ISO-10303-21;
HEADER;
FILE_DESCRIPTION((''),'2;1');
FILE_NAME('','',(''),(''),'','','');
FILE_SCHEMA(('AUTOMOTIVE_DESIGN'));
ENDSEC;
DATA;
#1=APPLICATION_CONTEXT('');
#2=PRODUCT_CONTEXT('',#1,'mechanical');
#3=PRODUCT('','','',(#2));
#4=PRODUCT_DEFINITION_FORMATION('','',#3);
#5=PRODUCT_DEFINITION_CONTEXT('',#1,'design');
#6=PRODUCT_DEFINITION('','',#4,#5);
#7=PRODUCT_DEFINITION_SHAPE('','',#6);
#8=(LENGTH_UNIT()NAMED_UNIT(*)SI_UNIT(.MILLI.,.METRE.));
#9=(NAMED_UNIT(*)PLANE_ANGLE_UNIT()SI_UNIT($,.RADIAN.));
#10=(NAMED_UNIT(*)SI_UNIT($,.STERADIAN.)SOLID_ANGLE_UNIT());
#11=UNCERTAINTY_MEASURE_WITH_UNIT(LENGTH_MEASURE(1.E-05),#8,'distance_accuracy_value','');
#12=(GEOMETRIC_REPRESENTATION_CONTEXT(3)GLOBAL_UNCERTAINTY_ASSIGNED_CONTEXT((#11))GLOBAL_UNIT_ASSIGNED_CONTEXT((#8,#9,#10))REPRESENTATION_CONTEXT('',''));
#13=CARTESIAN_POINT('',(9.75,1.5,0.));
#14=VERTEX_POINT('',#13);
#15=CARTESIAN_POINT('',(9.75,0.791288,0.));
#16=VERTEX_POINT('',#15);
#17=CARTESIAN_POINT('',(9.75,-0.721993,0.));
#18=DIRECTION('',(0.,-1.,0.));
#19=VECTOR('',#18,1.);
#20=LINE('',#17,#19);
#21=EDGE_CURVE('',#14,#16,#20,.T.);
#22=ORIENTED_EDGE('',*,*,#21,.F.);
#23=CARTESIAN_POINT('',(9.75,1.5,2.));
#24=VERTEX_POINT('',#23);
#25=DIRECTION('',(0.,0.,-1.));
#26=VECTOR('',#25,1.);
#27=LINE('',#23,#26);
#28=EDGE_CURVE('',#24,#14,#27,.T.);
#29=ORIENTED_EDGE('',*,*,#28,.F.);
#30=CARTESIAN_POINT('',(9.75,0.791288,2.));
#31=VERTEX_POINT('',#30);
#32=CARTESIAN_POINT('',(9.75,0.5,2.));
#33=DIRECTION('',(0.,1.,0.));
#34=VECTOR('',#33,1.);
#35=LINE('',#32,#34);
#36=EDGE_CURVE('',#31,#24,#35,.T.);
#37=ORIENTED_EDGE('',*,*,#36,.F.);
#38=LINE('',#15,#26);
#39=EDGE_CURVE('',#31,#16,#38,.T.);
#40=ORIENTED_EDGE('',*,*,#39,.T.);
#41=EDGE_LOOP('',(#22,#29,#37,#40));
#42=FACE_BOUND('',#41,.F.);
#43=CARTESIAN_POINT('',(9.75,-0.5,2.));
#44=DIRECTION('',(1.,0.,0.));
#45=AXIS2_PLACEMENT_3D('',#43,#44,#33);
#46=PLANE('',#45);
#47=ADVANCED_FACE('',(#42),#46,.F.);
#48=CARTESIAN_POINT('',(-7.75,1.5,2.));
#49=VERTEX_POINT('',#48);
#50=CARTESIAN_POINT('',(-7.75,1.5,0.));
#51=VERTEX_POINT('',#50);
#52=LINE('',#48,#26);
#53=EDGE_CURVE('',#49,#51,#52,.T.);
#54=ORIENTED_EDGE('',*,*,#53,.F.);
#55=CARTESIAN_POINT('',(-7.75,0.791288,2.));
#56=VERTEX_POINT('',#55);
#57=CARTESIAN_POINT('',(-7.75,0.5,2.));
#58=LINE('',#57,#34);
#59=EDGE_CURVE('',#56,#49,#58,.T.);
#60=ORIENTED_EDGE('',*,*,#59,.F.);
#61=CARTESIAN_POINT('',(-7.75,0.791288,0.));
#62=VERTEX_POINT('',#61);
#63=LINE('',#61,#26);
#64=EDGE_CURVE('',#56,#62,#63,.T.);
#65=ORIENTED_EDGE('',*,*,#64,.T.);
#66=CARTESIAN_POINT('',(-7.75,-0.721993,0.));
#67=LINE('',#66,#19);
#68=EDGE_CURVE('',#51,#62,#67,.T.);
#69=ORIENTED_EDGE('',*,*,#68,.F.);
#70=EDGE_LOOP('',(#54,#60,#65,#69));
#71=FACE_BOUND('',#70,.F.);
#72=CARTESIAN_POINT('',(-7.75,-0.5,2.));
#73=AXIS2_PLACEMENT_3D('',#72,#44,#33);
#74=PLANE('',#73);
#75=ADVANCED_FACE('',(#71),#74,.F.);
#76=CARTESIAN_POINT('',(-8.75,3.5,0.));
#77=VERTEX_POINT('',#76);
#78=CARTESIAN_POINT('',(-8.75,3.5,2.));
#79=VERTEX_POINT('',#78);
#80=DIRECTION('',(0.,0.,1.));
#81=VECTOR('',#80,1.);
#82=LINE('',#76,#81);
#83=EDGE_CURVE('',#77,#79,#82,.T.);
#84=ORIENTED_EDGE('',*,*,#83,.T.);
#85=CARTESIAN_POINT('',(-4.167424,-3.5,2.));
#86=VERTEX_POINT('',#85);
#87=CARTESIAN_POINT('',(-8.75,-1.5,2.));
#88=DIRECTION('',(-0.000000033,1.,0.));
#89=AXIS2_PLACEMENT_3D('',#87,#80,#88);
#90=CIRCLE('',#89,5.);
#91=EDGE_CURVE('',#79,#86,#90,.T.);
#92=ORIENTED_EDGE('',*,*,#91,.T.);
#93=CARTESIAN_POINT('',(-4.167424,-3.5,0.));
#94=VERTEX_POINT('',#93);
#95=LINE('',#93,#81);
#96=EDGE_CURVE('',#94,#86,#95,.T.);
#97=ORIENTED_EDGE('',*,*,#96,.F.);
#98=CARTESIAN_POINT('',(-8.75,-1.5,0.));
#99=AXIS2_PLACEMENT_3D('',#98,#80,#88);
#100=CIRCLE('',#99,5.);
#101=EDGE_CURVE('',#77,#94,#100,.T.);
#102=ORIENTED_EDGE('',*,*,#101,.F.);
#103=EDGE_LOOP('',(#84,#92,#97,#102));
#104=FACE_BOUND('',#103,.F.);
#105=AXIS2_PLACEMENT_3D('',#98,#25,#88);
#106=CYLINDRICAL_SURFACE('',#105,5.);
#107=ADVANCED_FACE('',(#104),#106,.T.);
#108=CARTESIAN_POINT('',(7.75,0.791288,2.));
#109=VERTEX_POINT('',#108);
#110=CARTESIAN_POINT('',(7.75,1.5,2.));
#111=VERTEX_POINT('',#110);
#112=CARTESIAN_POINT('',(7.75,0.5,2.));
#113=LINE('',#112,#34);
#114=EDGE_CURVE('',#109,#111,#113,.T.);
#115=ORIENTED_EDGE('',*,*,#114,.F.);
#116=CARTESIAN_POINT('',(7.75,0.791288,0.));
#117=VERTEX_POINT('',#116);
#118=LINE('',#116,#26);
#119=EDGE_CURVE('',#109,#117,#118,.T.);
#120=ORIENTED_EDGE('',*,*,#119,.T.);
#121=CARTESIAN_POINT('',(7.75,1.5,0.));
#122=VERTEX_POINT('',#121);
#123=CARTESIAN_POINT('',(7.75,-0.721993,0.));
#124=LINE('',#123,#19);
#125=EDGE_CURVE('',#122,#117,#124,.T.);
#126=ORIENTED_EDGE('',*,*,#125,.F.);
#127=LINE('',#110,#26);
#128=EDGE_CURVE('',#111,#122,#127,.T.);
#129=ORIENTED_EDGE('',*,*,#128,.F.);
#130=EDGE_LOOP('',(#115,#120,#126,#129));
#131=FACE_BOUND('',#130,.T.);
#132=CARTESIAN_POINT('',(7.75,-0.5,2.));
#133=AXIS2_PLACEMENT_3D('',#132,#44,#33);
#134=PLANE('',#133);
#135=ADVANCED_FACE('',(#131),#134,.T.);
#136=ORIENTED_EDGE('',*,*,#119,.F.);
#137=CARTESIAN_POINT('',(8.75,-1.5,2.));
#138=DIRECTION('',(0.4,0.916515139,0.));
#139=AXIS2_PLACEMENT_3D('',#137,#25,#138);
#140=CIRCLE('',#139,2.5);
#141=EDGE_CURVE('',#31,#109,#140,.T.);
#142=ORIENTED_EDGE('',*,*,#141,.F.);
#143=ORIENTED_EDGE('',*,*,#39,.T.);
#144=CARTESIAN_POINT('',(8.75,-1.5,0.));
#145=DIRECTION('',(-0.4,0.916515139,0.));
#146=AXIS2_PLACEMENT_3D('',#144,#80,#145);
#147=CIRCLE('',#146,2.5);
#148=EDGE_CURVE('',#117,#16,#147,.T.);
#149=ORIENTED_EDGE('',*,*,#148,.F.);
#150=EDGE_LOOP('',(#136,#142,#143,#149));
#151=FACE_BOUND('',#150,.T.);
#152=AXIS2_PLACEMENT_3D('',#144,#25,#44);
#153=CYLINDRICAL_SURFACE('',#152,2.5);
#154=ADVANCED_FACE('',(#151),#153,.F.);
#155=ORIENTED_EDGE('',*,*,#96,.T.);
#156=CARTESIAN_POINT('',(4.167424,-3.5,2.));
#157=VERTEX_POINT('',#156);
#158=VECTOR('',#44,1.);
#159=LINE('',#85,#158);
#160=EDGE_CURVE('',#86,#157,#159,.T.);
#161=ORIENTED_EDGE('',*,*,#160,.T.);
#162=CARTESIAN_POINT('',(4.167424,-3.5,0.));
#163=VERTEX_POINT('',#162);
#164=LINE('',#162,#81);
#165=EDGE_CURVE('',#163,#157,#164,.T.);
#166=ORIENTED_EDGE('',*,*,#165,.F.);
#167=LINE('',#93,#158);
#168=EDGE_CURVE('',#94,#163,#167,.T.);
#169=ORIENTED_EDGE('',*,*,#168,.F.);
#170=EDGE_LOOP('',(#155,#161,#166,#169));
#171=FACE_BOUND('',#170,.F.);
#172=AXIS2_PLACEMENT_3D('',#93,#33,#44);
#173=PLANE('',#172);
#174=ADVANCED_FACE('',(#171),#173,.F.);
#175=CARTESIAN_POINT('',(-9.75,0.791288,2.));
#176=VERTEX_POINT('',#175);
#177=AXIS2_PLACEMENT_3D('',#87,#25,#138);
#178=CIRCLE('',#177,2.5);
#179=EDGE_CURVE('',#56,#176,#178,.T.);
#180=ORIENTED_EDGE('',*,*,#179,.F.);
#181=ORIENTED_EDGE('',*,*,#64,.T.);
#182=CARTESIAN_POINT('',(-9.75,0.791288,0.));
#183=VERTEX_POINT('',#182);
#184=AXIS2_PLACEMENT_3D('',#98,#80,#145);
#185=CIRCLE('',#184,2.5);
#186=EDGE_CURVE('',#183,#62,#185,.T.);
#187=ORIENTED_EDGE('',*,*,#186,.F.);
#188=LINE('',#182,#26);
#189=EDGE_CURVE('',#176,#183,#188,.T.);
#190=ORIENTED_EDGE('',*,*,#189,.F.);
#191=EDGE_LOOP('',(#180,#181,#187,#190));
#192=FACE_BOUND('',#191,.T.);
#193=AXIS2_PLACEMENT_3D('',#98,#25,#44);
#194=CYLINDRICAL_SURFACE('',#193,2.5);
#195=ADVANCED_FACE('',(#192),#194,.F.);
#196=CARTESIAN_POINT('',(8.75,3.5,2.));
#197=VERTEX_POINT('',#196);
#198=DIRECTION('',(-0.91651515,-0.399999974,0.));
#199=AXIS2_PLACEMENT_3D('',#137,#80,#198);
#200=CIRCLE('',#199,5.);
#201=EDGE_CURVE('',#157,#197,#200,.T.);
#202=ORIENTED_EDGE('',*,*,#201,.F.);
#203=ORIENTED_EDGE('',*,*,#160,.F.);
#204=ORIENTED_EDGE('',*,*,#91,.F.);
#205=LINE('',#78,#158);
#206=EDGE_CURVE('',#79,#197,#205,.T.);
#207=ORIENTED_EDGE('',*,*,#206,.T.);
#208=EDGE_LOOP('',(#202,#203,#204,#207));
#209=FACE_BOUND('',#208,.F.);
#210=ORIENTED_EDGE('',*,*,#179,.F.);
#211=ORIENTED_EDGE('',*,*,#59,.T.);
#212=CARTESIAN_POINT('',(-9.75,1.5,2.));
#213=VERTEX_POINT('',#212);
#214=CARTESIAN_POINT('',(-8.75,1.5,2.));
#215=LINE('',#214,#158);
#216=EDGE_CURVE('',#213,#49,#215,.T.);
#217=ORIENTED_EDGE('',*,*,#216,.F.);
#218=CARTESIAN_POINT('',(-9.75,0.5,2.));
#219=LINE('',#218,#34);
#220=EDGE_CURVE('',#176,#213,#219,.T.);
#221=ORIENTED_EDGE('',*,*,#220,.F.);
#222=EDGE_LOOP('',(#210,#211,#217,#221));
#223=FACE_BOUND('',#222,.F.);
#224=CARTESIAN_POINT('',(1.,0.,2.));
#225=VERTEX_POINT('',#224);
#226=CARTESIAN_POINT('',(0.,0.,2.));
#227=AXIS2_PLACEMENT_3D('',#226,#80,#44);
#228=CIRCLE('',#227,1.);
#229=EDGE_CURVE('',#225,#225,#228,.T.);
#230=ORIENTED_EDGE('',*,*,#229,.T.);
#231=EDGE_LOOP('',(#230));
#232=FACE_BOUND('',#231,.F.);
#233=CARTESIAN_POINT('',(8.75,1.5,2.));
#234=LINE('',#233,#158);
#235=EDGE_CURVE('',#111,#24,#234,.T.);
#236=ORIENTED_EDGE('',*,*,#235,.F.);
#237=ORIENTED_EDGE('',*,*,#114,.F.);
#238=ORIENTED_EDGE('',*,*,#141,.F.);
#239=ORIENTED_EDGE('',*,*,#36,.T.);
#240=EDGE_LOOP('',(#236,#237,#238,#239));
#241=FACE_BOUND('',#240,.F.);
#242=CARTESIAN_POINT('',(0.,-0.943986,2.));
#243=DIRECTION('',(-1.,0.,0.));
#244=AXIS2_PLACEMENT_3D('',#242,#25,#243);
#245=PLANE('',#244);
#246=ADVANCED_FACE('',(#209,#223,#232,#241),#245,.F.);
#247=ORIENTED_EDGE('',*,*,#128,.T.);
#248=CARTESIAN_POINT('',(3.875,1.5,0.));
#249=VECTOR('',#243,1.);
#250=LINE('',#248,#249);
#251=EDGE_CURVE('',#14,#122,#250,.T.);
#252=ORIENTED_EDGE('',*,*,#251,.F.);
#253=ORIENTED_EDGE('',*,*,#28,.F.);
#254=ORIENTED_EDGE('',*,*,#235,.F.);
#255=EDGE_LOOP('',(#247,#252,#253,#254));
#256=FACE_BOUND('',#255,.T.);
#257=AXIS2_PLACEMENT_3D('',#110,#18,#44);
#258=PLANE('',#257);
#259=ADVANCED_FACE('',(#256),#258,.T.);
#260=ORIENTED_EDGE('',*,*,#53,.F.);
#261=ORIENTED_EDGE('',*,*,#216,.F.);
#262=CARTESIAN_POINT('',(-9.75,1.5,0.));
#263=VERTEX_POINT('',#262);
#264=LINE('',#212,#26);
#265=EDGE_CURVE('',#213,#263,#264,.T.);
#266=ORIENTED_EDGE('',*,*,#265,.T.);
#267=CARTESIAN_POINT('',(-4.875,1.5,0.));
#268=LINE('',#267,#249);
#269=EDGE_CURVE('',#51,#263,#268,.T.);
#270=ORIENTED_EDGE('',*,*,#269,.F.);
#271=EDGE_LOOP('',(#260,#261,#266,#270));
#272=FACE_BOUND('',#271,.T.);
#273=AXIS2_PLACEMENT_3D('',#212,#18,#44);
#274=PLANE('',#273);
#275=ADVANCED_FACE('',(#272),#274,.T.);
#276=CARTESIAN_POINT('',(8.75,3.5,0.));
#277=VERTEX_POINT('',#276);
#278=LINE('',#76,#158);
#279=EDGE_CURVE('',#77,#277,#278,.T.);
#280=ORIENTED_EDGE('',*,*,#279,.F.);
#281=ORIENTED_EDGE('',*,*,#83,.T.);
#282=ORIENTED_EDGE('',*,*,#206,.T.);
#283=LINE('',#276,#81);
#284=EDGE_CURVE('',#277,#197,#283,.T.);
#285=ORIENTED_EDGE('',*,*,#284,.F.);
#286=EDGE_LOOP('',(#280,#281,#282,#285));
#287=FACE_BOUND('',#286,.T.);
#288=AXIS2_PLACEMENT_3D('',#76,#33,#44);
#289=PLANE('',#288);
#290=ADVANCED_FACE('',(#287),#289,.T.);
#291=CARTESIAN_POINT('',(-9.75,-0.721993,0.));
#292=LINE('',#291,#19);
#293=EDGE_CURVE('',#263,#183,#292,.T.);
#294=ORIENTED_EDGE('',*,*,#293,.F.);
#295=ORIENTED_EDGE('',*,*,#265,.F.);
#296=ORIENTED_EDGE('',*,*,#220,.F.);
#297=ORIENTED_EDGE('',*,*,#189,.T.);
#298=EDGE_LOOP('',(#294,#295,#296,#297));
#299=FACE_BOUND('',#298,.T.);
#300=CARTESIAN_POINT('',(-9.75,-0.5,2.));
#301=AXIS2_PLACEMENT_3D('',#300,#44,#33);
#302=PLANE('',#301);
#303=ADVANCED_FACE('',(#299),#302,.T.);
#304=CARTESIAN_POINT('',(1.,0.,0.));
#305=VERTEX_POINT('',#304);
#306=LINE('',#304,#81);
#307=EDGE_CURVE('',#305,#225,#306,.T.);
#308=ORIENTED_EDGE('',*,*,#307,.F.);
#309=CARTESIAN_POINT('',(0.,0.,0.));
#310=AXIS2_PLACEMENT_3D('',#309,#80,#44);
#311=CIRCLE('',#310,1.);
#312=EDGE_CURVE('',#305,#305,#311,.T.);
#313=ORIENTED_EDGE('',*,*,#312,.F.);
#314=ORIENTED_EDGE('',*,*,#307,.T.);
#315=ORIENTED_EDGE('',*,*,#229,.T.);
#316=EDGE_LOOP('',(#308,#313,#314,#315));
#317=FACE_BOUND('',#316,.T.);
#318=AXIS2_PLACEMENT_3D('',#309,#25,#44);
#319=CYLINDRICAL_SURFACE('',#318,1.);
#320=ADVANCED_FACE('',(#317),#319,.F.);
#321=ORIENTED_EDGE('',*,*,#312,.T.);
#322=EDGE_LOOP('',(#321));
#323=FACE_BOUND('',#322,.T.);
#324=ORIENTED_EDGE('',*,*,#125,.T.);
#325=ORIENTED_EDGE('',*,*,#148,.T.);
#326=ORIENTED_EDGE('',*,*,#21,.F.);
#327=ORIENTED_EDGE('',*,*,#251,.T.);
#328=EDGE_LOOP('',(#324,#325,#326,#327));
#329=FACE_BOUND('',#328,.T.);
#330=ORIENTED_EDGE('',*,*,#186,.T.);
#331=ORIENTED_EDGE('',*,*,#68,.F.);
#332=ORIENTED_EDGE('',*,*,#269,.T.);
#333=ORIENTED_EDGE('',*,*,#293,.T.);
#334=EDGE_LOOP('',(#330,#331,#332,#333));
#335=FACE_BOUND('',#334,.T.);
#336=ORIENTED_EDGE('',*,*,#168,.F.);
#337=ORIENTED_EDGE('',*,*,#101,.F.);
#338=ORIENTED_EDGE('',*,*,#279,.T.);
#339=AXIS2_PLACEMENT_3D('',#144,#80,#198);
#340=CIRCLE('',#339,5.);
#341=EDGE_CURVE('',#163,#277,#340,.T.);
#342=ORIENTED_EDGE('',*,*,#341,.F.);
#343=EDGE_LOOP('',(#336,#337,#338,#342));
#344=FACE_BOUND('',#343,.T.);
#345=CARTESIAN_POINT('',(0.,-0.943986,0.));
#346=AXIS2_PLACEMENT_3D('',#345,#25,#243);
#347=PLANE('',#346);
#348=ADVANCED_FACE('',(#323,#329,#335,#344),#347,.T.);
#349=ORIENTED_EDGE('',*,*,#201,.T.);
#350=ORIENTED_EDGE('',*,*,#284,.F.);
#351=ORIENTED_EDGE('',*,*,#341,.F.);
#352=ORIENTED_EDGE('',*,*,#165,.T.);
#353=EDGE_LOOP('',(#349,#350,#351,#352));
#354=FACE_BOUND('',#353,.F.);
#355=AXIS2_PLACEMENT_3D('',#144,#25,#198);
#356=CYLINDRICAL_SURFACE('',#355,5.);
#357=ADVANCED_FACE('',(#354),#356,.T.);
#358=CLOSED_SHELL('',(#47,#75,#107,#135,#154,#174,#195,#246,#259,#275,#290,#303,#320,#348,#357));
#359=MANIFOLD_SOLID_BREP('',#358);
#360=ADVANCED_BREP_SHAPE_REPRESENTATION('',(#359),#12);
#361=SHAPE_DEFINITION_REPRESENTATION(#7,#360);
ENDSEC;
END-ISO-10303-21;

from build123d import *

# Parameters (mm, degrees)
SKETCH_R     = 1
SKETCH_R_2   = 2.5
PAD_DEPTH    = 2
SKETCH001_W  = 2
SKETCH001_H  = 2
POCKET_DEPTH = 2.001


with BuildPart() as part:
    # Sketch → Pad (new body)
    with BuildSketch(Plane.XY):
        with BuildLine():
            Line((-8.75, 3.5), (8.75, 3.5))
            ThreePointArc((4.167424, -3.5), (12.9333, -4.238613), (8.75, 3.5))
            Line((-4.167424, -3.5), (4.167424, -3.5))
            ThreePointArc((-8.75, 3.5), (-12.9333, -4.238613), (-4.167424, -3.5))
        make_face()
        Circle(SKETCH_R, mode=Mode.SUBTRACT)
        with Locations((-8.75, -1.5)):
            Circle(SKETCH_R_2, mode=Mode.SUBTRACT)
        with Locations((8.75, -1.5)):
            Circle(SKETCH_R_2, mode=Mode.SUBTRACT)
    extrude(amount=PAD_DEPTH)

    # Sketch001 → Pocket (cut, through all)
    with BuildSketch(Plane.XY.offset(2)):
        with Locations((-8.75, 0.5)):
            Rectangle(SKETCH001_W, SKETCH001_H)
        with Locations((8.75, 0.5)):
            Rectangle(SKETCH001_W, SKETCH001_H)
    extrude(amount=-POCKET_DEPTH, mode=Mode.SUBTRACT)


solid = part.part
